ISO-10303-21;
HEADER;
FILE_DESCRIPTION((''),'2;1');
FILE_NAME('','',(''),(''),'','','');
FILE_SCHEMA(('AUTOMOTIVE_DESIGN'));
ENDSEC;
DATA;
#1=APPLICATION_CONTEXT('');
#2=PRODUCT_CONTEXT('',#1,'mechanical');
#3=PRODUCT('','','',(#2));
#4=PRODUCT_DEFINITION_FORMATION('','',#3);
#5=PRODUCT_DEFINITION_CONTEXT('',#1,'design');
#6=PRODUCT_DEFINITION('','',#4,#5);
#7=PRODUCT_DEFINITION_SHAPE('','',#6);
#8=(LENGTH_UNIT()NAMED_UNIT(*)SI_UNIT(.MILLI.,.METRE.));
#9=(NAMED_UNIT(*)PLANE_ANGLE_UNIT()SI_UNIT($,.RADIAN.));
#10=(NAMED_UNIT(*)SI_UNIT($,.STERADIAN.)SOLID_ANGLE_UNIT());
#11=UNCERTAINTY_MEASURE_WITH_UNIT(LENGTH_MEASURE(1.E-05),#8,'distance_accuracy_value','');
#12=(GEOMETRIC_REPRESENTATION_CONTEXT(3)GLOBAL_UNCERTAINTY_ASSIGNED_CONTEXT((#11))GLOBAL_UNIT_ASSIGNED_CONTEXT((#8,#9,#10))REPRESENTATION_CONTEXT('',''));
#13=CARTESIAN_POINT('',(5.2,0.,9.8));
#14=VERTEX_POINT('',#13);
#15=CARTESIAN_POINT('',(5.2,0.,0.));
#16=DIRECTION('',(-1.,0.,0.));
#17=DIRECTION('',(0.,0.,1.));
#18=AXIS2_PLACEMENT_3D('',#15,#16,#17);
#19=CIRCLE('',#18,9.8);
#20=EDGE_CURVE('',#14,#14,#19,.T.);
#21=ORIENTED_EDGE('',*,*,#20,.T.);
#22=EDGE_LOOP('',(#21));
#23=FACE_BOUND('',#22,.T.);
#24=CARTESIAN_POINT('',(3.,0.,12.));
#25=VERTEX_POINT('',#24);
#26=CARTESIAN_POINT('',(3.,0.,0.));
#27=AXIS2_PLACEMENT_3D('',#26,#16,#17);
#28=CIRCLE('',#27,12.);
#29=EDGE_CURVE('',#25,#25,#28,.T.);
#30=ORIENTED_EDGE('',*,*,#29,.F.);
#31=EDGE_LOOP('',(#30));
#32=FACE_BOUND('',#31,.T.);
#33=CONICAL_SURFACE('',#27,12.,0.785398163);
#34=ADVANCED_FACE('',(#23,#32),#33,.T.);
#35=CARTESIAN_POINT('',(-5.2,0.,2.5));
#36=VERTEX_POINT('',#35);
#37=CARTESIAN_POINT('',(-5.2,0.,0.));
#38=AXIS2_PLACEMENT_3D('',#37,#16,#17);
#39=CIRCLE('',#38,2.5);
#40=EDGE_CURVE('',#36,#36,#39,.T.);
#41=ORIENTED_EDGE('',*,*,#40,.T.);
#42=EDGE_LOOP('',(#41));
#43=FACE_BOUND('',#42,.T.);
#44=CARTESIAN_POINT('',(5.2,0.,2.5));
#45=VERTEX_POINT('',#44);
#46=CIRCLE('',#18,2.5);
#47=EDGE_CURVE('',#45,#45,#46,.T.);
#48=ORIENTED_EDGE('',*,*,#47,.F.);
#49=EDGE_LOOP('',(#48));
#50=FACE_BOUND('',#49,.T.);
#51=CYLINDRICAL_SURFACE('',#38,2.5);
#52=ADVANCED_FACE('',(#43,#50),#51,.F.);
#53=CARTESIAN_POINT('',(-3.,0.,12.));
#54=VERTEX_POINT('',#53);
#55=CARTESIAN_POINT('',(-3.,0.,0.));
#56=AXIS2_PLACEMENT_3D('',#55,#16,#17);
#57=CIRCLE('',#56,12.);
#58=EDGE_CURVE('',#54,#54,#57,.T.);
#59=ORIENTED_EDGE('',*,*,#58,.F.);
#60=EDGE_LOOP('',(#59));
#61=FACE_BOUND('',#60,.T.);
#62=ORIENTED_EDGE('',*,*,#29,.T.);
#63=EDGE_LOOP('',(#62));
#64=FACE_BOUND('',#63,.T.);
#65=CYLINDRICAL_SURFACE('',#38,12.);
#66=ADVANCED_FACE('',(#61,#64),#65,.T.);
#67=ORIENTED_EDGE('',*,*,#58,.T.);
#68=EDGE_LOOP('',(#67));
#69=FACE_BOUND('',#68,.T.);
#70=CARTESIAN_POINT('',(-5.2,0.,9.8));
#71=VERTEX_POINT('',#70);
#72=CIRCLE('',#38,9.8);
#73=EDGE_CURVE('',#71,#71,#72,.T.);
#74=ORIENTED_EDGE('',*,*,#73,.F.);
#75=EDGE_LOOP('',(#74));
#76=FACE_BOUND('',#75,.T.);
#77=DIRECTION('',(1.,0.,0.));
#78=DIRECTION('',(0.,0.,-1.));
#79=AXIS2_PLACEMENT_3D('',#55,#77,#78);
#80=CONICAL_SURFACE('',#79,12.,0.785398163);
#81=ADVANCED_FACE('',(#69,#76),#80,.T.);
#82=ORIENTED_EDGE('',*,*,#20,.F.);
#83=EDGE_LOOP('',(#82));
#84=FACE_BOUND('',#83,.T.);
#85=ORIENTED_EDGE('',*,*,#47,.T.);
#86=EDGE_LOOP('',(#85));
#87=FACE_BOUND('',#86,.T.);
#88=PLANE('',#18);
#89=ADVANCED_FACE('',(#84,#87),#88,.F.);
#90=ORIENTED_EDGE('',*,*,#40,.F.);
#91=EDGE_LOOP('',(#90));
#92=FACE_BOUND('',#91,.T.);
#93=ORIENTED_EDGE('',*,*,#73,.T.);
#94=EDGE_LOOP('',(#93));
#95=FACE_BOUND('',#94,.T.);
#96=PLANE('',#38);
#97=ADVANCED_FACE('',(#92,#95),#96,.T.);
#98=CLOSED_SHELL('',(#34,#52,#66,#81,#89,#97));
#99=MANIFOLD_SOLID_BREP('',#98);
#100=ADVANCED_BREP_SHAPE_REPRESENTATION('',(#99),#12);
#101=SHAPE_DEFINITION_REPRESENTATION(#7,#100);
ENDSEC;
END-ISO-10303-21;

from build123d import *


with BuildPart() as part:
    # Croquis1 → Revolución2 (revolve)
    with BuildSketch(Plane.XY, mode=Mode.PRIVATE) as revoluci_n2_sk:
        Polygon((-5.2, 2.5), (5.2, 2.5), (5.2, 9.8), (3, 12), (-3, 12), (-5.2, 9.8), align=None)
    revolve(revoluci_n2_sk.sketch.rotate(Axis((-5.2, 0, 0), (1, 0, 0)), 90), axis=Axis((-5.2, 0, 0), (1, 0, 0)))


solid = part.part
